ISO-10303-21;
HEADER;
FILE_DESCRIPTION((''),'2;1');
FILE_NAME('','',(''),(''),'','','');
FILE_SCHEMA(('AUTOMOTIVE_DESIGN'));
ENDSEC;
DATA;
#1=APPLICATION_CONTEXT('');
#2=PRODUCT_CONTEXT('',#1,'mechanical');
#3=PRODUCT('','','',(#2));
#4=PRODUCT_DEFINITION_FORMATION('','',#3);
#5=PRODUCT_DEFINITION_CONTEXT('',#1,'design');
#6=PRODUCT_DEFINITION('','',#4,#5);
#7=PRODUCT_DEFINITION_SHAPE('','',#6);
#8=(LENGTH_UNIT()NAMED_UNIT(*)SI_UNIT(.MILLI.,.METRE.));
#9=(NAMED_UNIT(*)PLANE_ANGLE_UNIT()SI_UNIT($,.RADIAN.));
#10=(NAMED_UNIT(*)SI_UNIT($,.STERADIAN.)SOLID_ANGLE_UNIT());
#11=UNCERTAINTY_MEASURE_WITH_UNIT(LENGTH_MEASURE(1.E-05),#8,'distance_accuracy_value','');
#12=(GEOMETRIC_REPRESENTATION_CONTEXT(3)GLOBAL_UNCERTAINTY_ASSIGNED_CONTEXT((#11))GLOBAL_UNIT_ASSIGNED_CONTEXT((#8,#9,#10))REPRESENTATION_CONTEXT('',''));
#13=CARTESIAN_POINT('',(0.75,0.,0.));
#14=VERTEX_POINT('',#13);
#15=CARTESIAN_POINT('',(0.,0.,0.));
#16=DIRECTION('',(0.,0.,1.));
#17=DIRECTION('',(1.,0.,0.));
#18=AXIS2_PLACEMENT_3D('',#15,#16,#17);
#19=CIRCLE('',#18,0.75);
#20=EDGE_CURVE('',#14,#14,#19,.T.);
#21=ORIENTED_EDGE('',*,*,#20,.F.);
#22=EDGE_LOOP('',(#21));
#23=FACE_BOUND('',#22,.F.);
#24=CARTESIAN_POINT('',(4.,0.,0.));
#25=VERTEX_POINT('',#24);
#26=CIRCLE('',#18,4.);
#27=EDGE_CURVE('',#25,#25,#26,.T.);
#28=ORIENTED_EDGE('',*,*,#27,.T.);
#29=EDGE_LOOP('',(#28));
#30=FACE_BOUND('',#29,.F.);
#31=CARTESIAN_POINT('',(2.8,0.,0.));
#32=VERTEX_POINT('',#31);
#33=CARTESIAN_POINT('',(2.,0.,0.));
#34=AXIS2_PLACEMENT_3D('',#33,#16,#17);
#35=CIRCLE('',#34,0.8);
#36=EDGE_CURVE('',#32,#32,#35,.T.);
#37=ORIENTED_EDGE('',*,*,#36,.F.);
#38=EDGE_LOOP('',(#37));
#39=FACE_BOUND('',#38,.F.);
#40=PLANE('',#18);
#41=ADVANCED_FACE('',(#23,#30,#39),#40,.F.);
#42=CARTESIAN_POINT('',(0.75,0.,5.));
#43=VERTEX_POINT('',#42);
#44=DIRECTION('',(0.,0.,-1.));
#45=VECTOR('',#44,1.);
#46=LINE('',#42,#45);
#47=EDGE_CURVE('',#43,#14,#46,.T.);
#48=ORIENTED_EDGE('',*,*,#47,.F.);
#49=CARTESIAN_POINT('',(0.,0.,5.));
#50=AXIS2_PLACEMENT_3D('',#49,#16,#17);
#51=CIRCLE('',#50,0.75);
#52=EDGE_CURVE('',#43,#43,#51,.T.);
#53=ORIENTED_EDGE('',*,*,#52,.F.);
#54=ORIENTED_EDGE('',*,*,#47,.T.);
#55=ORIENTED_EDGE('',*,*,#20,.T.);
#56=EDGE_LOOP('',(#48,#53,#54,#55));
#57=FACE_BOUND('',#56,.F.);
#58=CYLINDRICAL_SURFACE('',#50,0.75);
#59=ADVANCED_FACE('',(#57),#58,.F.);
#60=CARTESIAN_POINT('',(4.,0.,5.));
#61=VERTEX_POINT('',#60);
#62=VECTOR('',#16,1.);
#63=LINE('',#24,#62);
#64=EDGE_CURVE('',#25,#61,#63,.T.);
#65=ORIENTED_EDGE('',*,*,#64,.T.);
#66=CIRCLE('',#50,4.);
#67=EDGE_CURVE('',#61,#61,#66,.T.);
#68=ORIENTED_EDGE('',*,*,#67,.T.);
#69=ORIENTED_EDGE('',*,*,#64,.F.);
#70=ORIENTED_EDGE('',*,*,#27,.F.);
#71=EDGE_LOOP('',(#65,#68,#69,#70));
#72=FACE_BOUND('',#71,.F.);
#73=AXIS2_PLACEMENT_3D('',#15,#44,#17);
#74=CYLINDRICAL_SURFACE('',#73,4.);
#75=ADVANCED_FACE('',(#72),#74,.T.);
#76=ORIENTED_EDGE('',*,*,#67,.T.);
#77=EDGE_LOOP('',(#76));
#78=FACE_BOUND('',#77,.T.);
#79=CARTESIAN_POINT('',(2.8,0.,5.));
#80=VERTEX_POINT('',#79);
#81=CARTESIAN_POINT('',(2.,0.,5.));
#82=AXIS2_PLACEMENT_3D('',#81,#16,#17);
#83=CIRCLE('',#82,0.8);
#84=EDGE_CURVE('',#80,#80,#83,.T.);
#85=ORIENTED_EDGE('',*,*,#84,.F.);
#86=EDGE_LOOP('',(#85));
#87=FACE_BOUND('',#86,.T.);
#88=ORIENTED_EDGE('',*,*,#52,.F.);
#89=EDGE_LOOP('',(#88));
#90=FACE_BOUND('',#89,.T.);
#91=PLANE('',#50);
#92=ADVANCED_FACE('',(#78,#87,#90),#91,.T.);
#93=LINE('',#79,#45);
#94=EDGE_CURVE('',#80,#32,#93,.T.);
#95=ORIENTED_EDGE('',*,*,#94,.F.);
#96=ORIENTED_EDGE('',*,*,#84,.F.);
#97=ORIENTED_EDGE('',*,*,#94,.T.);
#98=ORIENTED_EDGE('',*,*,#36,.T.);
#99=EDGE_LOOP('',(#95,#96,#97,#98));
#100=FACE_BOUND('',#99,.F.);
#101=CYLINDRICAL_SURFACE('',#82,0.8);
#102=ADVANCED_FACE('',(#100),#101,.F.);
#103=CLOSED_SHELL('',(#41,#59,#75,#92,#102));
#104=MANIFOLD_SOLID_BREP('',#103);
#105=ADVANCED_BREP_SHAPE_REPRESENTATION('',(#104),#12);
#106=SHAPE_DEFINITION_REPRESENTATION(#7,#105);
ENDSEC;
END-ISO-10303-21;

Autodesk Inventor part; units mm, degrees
ref_plane "YZ Plane" through (0, 0, 0) normal (1, 0, 0) x (0, 1, 0)
ref_plane "XZ Plane" through (0, 0, 0) normal (0, 1, 0) x (-1, 0, 0)
ref_plane "XY Plane" through (0, 0, 0) normal (0, 0, 1) x (1, 0, 0)
sketch "Sketch1" plane through (0, 0, 0) normal (0, 0, 1) x (1, 0, 0)
  circle A0 centre (0, 0) radius 4
  dimension "d0" = 8
extrude "Extrusion1" add sketch "Sketch1" along normal blind 5
sketch "Sketch2" plane through (0, 0, 5) normal (0, 0, 1) x (1, 0, 0)
  circle A0 centre (0, 0) radius 0.75
  dimension "d3" = 1.5
extrude "Extrusion2" cut sketch "Sketch2" against normal blind 5
sketch "Sketch3" plane through (0, 0, 5) normal (0, 0, 1) x (1, 0, 0)
  circle A0 centre (2, 0) radius 0.8
  point P0 (0, 0)
  dimension "d6" = 1.6
  dimension "d7" = 0
  dimension "d8" = 2
extrude "Extrusion3" cut sketch "Sketch3" against normal blind 5
thread "Thread1" size "M2x0.4" class "6H" standard "ANSI Metric M Profile" full length
properties part number "MotorArm" material "Aluminum 6061"
